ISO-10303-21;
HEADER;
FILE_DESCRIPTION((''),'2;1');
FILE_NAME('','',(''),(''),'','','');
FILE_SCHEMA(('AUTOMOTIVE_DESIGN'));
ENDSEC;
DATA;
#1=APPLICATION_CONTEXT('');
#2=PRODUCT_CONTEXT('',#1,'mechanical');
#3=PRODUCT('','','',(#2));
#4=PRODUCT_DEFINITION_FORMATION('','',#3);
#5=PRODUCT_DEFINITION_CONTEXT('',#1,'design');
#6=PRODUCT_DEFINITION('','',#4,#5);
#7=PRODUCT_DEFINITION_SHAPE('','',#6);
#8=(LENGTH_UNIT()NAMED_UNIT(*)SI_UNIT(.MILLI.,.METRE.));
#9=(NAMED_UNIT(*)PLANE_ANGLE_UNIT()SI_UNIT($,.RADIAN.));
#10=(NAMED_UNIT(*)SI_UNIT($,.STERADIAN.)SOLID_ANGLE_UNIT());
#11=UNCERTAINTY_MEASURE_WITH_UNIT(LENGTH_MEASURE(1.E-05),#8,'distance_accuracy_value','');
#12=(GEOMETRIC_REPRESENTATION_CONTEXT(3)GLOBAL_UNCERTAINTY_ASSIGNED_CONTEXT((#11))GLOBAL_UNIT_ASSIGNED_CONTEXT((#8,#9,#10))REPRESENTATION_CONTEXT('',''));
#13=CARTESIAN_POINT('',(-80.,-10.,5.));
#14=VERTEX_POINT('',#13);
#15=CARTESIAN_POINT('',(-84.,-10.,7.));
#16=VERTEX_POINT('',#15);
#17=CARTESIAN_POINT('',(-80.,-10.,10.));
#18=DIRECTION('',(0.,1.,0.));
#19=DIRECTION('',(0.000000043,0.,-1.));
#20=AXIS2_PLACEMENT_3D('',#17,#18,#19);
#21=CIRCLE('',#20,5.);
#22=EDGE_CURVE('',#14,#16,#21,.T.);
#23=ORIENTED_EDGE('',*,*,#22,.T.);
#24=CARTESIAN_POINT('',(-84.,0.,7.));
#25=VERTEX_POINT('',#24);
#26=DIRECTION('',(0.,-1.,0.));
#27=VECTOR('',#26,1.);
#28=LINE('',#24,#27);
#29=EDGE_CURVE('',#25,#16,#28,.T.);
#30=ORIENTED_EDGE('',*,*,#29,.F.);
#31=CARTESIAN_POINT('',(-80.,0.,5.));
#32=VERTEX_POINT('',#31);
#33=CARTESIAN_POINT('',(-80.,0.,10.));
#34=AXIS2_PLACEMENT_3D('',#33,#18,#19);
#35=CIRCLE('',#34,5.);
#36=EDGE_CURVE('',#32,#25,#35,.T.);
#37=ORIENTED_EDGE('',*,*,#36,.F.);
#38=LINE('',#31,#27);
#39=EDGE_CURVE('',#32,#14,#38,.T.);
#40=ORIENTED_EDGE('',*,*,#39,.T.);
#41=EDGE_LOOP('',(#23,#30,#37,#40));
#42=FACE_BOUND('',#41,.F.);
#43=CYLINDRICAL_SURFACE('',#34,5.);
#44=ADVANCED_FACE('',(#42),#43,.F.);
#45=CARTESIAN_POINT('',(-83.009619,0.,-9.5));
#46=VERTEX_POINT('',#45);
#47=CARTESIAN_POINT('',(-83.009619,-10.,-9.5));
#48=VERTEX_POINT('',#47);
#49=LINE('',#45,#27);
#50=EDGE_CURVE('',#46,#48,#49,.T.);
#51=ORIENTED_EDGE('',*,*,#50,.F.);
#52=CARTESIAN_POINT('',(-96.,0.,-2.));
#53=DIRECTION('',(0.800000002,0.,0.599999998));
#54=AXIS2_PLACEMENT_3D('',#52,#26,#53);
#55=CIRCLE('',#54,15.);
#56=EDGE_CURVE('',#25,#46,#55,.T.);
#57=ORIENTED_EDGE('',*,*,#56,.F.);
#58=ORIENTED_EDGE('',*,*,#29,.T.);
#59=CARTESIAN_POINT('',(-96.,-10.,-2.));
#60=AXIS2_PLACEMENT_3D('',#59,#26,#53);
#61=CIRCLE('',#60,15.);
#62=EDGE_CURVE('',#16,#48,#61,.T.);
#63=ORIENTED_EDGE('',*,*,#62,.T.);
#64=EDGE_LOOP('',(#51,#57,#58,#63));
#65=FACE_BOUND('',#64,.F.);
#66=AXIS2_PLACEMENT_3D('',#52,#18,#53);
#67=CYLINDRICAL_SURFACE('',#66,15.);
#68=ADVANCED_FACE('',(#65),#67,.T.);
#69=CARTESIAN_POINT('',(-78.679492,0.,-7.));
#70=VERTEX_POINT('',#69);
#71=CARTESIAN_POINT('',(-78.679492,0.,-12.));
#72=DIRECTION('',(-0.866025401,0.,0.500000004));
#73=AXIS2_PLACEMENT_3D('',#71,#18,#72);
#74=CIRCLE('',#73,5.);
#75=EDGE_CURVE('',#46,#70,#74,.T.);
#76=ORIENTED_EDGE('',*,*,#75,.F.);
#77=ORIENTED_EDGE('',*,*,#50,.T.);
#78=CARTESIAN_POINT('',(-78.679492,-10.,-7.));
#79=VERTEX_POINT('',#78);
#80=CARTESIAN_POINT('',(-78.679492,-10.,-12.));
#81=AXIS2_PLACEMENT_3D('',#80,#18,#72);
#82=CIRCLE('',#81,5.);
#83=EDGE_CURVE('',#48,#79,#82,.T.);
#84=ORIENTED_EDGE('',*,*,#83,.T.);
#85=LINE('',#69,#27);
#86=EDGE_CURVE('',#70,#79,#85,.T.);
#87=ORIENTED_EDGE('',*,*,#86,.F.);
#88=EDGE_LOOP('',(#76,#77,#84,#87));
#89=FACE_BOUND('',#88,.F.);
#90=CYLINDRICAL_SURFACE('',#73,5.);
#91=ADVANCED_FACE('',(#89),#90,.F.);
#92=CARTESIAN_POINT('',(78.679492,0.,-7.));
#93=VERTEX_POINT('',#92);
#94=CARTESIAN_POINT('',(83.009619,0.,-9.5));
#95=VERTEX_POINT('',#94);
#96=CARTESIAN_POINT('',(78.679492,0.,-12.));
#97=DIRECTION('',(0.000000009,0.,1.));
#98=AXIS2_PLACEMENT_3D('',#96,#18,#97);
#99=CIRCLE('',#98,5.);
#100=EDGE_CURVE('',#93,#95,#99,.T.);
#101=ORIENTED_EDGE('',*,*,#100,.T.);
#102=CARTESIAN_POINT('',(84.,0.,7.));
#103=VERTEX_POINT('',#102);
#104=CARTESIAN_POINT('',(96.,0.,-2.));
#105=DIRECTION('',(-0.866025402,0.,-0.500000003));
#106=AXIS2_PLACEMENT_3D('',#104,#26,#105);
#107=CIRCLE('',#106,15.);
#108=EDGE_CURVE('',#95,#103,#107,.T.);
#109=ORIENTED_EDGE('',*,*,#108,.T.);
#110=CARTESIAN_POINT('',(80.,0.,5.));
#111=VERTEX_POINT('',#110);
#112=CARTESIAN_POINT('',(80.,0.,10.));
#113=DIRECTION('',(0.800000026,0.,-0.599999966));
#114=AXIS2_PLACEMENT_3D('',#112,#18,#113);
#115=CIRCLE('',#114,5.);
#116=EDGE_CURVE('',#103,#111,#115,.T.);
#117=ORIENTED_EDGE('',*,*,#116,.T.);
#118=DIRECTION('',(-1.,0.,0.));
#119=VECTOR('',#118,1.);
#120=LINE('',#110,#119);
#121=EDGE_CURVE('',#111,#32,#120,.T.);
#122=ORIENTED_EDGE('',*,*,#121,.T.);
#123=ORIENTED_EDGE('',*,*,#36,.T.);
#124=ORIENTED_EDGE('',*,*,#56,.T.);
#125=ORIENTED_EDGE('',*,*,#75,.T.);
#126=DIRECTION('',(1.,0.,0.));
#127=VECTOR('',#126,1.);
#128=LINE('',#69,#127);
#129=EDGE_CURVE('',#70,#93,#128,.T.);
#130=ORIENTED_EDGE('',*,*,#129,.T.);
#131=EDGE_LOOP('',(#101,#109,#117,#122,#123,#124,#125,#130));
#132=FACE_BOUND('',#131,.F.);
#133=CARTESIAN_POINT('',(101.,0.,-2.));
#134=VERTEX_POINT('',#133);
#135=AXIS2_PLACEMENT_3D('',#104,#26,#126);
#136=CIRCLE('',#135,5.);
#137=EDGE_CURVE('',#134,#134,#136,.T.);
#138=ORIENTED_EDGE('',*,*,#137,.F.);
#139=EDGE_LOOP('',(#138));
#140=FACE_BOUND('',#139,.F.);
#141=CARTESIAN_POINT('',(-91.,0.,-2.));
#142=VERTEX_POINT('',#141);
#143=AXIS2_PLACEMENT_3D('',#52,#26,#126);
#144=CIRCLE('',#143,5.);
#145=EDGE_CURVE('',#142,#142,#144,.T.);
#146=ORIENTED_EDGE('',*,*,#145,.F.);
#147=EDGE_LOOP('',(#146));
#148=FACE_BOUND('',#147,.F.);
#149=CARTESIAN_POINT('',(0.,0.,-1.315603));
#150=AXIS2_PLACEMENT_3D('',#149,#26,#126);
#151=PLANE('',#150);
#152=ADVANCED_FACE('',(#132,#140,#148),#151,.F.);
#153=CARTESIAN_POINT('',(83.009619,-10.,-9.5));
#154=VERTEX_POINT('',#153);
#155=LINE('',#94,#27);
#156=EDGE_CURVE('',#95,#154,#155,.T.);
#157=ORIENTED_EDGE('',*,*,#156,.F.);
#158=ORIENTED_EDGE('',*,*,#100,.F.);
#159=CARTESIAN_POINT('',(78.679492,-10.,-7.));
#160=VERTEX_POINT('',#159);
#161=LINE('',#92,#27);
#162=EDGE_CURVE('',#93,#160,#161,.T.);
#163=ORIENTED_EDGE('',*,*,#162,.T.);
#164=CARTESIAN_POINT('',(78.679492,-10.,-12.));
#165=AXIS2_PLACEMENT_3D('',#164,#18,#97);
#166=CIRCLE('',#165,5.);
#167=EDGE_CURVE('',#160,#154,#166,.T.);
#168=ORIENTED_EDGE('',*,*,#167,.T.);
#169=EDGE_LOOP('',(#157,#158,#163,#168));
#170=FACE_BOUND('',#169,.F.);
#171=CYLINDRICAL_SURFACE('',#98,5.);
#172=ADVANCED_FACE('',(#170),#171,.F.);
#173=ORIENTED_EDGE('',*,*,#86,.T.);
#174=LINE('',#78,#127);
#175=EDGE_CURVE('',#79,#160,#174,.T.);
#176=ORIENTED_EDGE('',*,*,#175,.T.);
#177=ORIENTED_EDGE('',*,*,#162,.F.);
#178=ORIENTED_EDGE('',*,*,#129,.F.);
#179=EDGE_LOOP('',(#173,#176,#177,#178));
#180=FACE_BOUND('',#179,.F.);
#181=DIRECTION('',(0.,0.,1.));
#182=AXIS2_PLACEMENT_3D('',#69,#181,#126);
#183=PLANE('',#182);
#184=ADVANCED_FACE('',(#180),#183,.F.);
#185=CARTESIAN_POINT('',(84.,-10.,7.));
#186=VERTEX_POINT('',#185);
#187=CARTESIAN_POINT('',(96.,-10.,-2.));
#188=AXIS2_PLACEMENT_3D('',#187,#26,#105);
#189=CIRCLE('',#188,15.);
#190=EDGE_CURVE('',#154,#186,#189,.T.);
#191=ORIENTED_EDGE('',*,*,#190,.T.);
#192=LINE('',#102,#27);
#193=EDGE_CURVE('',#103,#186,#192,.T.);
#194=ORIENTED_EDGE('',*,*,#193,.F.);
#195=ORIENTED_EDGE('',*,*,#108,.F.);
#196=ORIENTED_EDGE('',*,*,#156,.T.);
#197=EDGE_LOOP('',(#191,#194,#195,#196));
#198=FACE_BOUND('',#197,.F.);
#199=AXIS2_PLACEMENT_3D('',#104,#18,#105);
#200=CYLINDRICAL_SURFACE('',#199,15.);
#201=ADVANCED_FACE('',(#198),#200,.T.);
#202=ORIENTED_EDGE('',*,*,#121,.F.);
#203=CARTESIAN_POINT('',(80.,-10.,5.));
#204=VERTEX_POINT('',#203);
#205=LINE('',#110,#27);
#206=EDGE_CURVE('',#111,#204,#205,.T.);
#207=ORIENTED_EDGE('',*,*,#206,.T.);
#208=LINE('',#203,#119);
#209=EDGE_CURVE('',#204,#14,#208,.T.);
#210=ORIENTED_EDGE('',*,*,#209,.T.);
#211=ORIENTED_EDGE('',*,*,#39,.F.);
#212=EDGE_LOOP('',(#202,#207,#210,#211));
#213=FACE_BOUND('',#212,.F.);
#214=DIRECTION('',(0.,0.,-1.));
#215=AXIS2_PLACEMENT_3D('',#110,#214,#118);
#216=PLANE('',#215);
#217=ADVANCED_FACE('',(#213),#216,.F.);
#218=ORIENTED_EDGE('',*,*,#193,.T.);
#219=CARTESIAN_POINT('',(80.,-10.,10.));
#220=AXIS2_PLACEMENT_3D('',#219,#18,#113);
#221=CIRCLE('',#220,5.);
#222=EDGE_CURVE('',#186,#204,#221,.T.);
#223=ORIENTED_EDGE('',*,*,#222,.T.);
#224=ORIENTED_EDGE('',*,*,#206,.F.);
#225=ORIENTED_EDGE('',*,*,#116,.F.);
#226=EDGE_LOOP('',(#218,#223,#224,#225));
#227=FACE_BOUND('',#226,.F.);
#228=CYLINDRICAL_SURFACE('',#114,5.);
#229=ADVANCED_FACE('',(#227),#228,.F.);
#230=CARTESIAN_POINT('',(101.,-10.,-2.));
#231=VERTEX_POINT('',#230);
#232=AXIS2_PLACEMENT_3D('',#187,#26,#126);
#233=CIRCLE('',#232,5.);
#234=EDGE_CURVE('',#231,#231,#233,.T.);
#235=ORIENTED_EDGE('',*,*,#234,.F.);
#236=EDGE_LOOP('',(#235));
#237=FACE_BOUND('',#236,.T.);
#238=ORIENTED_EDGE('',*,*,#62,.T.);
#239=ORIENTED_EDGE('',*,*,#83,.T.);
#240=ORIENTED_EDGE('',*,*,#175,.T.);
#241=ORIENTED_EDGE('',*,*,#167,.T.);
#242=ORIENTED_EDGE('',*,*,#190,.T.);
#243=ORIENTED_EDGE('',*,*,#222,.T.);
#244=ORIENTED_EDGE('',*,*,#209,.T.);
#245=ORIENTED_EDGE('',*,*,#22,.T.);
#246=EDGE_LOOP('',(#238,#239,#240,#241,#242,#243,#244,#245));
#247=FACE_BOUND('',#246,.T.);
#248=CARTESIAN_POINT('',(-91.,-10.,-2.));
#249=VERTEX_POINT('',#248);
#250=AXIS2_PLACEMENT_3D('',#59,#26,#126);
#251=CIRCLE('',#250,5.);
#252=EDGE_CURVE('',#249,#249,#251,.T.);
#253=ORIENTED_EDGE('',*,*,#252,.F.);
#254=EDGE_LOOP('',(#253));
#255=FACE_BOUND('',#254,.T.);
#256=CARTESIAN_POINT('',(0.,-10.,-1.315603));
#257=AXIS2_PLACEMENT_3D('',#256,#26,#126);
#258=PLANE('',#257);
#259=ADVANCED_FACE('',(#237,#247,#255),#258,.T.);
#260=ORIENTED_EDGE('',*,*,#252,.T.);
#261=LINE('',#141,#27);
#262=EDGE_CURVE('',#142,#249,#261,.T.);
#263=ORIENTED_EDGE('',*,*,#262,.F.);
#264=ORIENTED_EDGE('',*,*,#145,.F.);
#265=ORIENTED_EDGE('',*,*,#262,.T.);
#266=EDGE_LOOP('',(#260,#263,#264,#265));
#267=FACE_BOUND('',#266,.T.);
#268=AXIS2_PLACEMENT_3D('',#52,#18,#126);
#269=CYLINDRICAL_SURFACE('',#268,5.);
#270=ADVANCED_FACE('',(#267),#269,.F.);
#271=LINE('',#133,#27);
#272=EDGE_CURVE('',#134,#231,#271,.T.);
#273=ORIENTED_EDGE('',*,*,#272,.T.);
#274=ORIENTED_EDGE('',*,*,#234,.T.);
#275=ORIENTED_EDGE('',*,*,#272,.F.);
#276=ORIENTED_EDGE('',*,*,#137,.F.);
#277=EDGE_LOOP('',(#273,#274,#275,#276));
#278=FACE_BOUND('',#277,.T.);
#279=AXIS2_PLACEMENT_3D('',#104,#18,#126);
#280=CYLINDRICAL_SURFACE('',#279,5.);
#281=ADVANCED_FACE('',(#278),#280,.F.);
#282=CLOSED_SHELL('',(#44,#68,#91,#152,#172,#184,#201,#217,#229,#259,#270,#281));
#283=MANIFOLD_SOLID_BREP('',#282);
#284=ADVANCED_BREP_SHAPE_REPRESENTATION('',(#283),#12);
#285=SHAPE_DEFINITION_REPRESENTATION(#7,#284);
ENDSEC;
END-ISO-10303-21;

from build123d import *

# Parameters (mm, degrees)
F0_R     = 5
F1_DEPTH = 10


with BuildPart() as f1:
    # F0 (on Front) → F1 (new body)
    with BuildSketch(Plane.XZ):
        with BuildLine():
            ThreePointArc((-83.009619, -9.5), (-81.179492, -7.669873), (-78.679492, -7))
            Line((-78.679492, -7), (0, -7))
            Line((0, -7), (78.679492, -7))
            ThreePointArc((78.679492, -7), (81.179492, -7.669873), (83.009619, -9.5))
            ThreePointArc((83.009619, -9.5), (110.973052, -2.898729), (84, 7))
            ThreePointArc((84, 7), (82.236068, 5.527864), (80, 5))
            Line((80, 5), (0, 5))
            Line((0, 5), (-80, 5))
            ThreePointArc((-80, 5), (-82.236068, 5.527864), (-84, 7))
            ThreePointArc((-84, 7), (-110.973052, -2.898729), (-83.009619, -9.5))
        make_face()
        with Locations((-96, -2)):
            Circle(F0_R, mode=Mode.SUBTRACT)
        with Locations((96, -2)):
            Circle(F0_R, mode=Mode.SUBTRACT)
    extrude(amount=F1_DEPTH)


solid = f1.part
